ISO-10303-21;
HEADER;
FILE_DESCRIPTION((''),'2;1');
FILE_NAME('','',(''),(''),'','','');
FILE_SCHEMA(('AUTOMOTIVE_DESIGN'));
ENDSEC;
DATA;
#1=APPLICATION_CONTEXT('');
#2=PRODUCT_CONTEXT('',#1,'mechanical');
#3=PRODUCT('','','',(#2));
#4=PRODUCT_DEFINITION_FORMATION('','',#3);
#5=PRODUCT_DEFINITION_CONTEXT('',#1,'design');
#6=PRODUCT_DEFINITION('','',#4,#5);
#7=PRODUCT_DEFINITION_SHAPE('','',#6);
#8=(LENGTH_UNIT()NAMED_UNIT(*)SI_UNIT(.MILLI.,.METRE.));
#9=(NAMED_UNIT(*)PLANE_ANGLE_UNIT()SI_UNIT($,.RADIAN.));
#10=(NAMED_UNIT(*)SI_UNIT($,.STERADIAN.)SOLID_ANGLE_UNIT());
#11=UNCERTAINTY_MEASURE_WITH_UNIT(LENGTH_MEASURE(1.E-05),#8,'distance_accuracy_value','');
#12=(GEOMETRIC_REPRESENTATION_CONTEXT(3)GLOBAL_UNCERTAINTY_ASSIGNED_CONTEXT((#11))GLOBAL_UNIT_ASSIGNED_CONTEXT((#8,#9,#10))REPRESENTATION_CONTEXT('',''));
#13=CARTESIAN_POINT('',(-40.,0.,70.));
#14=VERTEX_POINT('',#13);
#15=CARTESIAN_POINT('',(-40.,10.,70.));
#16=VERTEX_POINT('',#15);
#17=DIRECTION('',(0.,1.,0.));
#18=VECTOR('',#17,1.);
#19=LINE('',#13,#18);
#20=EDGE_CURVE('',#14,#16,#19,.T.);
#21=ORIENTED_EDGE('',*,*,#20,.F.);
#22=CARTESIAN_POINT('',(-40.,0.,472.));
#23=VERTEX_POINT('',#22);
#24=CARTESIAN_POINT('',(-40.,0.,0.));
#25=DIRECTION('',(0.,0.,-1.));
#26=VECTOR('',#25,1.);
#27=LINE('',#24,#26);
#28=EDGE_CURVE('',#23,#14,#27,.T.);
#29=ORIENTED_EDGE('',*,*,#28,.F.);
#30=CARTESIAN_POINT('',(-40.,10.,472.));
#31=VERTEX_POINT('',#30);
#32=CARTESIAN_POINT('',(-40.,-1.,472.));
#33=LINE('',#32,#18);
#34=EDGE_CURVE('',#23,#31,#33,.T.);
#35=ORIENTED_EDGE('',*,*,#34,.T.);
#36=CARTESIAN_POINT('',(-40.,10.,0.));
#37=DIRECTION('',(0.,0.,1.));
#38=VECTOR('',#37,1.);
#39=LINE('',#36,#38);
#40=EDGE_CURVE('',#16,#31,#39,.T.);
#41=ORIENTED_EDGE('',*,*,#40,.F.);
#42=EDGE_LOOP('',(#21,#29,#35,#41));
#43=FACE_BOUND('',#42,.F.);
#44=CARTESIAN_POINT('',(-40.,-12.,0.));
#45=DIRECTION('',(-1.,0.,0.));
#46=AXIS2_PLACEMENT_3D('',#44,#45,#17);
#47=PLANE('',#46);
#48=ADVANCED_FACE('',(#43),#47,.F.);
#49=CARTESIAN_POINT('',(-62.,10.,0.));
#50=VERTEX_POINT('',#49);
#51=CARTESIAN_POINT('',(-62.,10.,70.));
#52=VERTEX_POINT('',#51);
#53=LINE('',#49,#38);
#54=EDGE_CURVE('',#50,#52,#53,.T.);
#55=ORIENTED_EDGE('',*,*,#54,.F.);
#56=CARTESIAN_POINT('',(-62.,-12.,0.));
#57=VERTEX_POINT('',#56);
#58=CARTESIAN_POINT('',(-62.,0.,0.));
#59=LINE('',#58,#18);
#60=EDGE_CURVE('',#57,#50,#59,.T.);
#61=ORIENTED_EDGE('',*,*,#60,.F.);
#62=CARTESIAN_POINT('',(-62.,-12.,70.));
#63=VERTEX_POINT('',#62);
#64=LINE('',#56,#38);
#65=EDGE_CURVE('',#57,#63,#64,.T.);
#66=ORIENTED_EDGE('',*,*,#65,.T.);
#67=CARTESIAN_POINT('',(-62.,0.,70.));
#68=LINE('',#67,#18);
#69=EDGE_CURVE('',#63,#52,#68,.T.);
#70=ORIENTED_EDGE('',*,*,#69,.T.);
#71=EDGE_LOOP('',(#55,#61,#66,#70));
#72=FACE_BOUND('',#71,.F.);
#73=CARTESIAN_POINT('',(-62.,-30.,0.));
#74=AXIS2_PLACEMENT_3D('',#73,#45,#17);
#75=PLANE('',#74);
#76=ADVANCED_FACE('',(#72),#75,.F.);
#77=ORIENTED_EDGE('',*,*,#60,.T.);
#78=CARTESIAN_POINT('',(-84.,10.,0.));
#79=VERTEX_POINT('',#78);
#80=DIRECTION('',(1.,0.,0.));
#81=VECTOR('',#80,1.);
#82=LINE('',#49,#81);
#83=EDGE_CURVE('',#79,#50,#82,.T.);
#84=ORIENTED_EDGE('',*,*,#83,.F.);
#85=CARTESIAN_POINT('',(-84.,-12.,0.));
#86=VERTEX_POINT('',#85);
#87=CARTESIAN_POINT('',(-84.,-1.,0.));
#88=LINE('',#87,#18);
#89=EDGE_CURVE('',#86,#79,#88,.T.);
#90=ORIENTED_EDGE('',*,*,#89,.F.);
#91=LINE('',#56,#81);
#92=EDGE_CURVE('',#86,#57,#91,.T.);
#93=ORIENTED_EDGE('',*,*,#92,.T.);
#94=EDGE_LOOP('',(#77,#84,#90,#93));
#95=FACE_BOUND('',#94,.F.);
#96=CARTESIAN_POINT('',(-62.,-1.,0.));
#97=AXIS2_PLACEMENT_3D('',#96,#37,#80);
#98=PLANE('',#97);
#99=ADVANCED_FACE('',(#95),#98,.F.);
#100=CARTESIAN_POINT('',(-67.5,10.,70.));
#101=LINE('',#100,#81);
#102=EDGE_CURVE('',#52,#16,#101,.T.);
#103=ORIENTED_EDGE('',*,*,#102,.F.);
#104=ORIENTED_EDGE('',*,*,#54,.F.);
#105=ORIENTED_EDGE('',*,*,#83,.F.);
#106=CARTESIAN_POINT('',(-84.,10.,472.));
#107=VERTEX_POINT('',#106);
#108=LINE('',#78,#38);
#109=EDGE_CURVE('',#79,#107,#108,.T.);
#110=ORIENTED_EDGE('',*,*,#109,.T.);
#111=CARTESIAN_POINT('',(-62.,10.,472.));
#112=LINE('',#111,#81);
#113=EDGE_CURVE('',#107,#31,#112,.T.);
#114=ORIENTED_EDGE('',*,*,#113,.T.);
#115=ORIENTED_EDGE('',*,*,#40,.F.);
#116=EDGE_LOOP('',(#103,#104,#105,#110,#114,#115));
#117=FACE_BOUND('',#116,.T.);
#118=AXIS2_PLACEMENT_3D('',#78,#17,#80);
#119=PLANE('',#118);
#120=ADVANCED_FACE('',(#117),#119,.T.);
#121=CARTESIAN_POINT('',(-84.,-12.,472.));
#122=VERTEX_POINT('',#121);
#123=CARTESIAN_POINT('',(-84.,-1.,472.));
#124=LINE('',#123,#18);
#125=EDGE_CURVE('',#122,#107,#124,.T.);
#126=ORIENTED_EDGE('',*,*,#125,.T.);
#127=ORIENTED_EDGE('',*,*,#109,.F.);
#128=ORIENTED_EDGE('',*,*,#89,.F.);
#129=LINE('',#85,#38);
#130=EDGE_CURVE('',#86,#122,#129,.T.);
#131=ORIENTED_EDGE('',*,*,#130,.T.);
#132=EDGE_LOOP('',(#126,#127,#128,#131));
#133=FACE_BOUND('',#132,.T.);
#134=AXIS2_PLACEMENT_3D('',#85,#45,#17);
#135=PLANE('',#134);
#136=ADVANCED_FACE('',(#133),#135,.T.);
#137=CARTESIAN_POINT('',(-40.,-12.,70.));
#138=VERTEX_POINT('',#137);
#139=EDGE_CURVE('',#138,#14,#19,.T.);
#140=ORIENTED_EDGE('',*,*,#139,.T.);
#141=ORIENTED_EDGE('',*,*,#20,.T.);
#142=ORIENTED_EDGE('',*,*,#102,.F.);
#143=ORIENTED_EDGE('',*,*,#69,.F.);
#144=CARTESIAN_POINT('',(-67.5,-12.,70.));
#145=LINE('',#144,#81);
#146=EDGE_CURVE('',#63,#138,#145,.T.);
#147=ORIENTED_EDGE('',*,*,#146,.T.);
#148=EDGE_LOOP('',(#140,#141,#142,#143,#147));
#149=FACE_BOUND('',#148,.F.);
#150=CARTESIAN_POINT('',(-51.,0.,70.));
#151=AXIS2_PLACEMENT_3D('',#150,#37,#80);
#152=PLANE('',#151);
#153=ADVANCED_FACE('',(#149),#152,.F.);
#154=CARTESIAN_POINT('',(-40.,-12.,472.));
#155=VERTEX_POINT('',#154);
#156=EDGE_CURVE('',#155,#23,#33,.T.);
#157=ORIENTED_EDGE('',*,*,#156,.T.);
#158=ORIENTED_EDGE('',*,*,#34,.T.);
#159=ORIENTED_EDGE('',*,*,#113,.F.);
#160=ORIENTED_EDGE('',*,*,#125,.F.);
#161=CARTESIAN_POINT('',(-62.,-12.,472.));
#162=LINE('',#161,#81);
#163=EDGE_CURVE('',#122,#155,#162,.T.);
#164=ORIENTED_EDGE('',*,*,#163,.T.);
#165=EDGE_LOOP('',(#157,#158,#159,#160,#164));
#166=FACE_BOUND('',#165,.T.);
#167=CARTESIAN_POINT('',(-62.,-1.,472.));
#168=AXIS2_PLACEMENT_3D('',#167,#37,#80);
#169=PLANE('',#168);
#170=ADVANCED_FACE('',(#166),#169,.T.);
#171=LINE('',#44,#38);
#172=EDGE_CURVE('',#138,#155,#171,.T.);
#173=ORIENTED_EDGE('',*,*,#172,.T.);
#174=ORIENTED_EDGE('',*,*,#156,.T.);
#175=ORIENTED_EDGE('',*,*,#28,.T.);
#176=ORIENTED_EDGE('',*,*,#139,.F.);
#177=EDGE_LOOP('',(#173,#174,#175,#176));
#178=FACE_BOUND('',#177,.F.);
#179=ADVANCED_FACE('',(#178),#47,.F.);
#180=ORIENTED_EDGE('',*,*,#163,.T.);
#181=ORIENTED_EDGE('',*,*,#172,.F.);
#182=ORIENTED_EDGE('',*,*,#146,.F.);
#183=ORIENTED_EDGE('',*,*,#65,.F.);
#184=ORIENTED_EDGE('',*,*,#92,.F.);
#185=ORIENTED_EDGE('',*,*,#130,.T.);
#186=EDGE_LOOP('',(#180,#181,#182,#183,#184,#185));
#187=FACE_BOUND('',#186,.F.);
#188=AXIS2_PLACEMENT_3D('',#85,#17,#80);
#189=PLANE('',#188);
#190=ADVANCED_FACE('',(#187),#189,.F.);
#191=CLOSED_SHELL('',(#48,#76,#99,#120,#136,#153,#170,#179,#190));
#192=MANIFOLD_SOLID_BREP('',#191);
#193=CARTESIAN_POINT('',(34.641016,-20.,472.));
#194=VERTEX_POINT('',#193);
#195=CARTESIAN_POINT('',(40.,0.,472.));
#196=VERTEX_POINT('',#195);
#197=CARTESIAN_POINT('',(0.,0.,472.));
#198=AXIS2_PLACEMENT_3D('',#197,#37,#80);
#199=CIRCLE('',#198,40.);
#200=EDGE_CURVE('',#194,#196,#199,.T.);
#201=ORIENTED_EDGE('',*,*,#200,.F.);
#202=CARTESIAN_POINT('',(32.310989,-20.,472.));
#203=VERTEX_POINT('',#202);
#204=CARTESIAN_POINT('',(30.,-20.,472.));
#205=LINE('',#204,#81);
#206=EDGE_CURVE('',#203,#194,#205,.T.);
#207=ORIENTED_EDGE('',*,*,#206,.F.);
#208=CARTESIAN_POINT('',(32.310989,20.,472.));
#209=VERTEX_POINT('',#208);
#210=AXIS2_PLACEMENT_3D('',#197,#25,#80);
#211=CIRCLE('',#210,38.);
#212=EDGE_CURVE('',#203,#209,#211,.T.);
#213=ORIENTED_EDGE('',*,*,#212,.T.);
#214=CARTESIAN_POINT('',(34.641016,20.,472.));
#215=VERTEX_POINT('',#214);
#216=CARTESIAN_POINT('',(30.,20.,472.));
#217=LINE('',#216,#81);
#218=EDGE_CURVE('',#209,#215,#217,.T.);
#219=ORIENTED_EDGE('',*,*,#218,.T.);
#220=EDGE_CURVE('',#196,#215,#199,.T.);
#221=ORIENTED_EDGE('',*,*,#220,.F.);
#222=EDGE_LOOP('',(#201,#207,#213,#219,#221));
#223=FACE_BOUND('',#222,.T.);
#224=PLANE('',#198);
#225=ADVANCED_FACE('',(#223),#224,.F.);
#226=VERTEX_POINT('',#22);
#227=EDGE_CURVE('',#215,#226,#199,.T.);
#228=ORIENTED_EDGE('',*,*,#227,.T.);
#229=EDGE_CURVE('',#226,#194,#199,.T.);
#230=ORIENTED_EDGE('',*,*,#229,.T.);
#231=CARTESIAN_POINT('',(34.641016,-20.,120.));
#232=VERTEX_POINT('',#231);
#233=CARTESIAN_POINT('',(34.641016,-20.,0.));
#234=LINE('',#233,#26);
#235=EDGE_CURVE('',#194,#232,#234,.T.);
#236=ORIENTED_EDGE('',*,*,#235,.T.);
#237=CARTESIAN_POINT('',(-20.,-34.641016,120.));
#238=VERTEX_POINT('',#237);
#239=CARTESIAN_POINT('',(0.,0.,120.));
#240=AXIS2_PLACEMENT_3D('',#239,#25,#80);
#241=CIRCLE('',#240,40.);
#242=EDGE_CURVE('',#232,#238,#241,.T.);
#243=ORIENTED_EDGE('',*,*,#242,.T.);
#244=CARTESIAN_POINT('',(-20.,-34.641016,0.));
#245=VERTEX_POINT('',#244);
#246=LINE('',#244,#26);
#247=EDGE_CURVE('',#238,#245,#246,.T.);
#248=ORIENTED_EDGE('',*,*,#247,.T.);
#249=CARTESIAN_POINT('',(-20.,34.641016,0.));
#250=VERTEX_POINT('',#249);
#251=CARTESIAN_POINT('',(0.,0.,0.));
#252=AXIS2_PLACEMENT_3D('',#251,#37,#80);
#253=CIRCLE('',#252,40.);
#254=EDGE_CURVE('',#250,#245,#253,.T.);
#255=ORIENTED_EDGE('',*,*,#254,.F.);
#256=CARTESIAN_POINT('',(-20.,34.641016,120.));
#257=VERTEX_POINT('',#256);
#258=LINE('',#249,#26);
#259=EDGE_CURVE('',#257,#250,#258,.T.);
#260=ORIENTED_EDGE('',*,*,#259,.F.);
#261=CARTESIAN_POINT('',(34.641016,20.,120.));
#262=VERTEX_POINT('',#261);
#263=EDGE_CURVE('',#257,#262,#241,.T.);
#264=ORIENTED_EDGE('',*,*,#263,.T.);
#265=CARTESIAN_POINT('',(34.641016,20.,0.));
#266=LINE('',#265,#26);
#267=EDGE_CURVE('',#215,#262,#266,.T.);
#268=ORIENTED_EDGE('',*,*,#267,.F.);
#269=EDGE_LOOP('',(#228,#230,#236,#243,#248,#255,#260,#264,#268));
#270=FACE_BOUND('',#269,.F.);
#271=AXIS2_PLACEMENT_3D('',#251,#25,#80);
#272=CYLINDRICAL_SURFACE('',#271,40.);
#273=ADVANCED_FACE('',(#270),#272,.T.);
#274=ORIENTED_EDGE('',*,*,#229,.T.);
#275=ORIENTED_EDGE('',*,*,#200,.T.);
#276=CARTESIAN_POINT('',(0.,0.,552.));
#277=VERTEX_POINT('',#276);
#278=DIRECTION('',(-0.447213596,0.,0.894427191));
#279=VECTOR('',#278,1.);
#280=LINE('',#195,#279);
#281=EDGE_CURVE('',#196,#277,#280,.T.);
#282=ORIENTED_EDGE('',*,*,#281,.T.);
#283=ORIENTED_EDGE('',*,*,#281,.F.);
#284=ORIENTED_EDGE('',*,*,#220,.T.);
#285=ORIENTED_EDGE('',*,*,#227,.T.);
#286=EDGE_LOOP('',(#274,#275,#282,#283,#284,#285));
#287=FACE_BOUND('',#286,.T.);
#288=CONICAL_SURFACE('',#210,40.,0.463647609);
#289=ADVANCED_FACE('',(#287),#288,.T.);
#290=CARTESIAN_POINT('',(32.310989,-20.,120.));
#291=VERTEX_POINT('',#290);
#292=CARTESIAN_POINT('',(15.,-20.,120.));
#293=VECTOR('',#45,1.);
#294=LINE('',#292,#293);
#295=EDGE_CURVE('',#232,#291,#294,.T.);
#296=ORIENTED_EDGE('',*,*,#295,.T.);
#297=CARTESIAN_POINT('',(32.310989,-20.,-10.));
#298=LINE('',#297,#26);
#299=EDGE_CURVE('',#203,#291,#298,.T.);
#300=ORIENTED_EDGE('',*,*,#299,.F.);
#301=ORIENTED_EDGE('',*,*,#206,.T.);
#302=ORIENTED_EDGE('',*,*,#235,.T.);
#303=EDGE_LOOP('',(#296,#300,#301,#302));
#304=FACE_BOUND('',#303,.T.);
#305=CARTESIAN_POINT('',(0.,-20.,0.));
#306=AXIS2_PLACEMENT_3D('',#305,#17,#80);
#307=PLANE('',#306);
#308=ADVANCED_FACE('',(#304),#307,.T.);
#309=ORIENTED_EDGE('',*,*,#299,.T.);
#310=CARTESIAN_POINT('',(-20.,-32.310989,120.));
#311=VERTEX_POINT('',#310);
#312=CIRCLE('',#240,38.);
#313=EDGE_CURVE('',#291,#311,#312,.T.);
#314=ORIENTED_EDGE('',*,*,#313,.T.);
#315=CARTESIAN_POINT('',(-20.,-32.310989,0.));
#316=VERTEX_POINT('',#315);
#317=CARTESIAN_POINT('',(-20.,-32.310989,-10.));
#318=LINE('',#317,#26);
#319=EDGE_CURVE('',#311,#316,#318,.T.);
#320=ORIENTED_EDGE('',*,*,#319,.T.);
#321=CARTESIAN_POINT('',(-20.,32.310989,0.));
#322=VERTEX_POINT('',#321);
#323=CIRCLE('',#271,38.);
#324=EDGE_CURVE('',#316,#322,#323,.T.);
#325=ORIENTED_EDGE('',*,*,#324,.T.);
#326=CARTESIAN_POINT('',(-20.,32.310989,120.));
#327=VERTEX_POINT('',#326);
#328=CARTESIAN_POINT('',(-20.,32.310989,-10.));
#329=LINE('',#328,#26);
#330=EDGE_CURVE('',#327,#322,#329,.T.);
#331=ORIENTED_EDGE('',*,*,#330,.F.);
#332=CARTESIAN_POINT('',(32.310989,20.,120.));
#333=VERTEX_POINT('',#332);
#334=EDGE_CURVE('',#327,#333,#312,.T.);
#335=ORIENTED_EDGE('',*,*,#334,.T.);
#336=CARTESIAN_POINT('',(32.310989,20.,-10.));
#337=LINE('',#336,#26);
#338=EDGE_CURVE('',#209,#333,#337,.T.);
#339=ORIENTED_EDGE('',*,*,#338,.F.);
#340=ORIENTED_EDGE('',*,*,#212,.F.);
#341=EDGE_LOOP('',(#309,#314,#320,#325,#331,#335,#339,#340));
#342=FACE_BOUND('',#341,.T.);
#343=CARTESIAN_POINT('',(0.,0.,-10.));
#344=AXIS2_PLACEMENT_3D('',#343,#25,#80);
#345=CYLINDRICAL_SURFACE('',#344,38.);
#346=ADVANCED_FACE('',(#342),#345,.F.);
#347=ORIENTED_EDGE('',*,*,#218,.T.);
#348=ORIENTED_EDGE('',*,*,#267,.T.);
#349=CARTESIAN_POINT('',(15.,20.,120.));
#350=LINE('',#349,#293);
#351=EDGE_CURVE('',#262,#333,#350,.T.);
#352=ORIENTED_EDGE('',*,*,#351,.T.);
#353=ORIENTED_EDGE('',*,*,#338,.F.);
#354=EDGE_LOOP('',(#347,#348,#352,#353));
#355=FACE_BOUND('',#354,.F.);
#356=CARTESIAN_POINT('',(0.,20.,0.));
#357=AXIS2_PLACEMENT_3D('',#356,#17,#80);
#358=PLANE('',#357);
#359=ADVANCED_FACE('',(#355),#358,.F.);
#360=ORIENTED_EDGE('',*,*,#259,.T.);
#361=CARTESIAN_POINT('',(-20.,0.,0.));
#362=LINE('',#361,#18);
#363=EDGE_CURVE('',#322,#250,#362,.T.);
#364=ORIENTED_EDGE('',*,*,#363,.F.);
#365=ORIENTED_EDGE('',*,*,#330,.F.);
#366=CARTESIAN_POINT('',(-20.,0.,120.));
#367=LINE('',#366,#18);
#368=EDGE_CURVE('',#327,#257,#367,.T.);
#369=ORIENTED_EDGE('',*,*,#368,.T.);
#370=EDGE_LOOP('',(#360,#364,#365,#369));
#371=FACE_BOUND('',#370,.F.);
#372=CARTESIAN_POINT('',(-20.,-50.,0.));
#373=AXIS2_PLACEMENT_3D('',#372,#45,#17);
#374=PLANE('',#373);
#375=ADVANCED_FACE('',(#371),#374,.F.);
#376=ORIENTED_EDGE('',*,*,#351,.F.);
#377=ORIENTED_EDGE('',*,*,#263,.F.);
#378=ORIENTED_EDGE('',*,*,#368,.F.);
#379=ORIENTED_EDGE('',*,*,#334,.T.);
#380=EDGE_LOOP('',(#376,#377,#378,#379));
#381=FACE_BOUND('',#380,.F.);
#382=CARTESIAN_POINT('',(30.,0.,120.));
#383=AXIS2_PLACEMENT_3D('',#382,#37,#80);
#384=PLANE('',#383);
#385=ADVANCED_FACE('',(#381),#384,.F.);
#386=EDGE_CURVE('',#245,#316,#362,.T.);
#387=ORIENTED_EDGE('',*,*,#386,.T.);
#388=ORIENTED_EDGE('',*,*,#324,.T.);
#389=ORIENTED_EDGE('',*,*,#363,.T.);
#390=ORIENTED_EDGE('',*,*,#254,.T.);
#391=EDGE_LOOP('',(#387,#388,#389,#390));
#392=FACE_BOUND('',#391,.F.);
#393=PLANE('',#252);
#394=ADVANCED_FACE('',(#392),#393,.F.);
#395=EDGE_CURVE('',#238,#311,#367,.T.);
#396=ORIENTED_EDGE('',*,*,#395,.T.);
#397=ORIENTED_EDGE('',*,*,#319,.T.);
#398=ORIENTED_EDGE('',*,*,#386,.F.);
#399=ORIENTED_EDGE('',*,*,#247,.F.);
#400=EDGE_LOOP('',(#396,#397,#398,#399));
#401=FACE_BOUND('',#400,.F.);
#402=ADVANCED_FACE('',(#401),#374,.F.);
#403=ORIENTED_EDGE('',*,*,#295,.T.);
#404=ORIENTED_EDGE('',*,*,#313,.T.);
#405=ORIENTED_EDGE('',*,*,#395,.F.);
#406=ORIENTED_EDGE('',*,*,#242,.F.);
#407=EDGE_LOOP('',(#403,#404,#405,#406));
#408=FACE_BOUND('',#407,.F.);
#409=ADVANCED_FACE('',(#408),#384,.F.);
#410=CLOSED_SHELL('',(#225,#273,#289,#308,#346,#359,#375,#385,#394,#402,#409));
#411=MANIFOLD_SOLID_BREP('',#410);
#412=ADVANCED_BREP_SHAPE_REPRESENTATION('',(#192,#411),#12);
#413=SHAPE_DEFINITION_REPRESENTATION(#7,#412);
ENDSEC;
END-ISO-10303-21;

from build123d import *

# Parameters (mm, degrees)
BOX003_W          = 22
BOX003_H          = 60
BOX003_DEPTH      = 70
BOX002_W          = 44
BOX002_H          = 22
BOX002_DEPTH      = 472
BOX001_W          = 60
BOX001_H          = 40
BOX001_DEPTH      = 472
BOX_W             = 100
BOX_H             = 100
BOX_DEPTH         = 120
CYLINDER001_R     = 38
CYLINDER001_DEPTH = 500
CYLINDER_R        = 40
CYLINDER_DEPTH    = 472


with BuildPart() as rocket_cap:
    # Cone → Cone (revolve)
    with BuildSketch(Plane(origin=(0, 0, 472), x_dir=(1, 0, 0), z_dir=(0, -1, 0))):
        Polygon((0, 0), (40, 0), (0, 80), align=None)
    revolve(axis=Axis((0, 0, 472), (0, 0, 1)))


with BuildPart() as holder_opening:
    # Box003 → Box003 (new body)
    with BuildSketch(Plane(origin=(-62, -30, 0), x_dir=(1, 0, 0), z_dir=(0, 0, 1))):
        with Locations((11, 30)):
            Rectangle(BOX003_W, BOX003_H)
    extrude(amount=BOX003_DEPTH)


with BuildPart() as holder_final:
    # Box002 → Box002 (new body)
    with BuildSketch(Plane(origin=(-84, -12, 0), x_dir=(1, 0, 0), z_dir=(0, 0, 1))):
        with Locations((22, 11)):
            Rectangle(BOX002_W, BOX002_H)
    extrude(amount=BOX002_DEPTH)

    # Cut002: cut holder_opening
    add(holder_opening.part, mode=Mode.SUBTRACT)


with BuildPart() as opening2:
    # Box001 → Box001 (new body)
    with BuildSketch(Plane(origin=(0, -20, 0), x_dir=(1, 0, 0), z_dir=(0, 0, 1))):
        with Locations((30, 20)):
            Rectangle(BOX001_W, BOX001_H)
    extrude(amount=BOX001_DEPTH)


with BuildPart() as opening_final:
    # Box → Box (new body)
    with BuildSketch(Plane(origin=(-20, -50, 0), x_dir=(1, 0, 0), z_dir=(0, 0, 1))):
        with Locations((50, 50)):
            Rectangle(BOX_W, BOX_H)
    extrude(amount=BOX_DEPTH)

    # Fusion: union opening2
    add(opening2.part)


with BuildPart() as rocket_cylinder_inside:
    # Cylinder001 → Cylinder001 (new body)
    with BuildSketch(Plane.XY.offset(-10)):
        Circle(CYLINDER001_R)
    extrude(amount=CYLINDER001_DEPTH)


with BuildPart() as rocket:
    # Cylinder → Cylinder (new body)
    with BuildSketch(Plane.XY):
        Circle(CYLINDER_R)
    extrude(amount=CYLINDER_DEPTH)

    # Cut: cut rocket_cylinder_inside
    add(rocket_cylinder_inside.part, mode=Mode.SUBTRACT)

    # Cut001: cut opening_final
    add(opening_final.part, mode=Mode.SUBTRACT)

    # Fusion001: union rocket_cap, holder_final
    add(rocket_cap.part)
    add(holder_final.part)


solid = rocket.part
